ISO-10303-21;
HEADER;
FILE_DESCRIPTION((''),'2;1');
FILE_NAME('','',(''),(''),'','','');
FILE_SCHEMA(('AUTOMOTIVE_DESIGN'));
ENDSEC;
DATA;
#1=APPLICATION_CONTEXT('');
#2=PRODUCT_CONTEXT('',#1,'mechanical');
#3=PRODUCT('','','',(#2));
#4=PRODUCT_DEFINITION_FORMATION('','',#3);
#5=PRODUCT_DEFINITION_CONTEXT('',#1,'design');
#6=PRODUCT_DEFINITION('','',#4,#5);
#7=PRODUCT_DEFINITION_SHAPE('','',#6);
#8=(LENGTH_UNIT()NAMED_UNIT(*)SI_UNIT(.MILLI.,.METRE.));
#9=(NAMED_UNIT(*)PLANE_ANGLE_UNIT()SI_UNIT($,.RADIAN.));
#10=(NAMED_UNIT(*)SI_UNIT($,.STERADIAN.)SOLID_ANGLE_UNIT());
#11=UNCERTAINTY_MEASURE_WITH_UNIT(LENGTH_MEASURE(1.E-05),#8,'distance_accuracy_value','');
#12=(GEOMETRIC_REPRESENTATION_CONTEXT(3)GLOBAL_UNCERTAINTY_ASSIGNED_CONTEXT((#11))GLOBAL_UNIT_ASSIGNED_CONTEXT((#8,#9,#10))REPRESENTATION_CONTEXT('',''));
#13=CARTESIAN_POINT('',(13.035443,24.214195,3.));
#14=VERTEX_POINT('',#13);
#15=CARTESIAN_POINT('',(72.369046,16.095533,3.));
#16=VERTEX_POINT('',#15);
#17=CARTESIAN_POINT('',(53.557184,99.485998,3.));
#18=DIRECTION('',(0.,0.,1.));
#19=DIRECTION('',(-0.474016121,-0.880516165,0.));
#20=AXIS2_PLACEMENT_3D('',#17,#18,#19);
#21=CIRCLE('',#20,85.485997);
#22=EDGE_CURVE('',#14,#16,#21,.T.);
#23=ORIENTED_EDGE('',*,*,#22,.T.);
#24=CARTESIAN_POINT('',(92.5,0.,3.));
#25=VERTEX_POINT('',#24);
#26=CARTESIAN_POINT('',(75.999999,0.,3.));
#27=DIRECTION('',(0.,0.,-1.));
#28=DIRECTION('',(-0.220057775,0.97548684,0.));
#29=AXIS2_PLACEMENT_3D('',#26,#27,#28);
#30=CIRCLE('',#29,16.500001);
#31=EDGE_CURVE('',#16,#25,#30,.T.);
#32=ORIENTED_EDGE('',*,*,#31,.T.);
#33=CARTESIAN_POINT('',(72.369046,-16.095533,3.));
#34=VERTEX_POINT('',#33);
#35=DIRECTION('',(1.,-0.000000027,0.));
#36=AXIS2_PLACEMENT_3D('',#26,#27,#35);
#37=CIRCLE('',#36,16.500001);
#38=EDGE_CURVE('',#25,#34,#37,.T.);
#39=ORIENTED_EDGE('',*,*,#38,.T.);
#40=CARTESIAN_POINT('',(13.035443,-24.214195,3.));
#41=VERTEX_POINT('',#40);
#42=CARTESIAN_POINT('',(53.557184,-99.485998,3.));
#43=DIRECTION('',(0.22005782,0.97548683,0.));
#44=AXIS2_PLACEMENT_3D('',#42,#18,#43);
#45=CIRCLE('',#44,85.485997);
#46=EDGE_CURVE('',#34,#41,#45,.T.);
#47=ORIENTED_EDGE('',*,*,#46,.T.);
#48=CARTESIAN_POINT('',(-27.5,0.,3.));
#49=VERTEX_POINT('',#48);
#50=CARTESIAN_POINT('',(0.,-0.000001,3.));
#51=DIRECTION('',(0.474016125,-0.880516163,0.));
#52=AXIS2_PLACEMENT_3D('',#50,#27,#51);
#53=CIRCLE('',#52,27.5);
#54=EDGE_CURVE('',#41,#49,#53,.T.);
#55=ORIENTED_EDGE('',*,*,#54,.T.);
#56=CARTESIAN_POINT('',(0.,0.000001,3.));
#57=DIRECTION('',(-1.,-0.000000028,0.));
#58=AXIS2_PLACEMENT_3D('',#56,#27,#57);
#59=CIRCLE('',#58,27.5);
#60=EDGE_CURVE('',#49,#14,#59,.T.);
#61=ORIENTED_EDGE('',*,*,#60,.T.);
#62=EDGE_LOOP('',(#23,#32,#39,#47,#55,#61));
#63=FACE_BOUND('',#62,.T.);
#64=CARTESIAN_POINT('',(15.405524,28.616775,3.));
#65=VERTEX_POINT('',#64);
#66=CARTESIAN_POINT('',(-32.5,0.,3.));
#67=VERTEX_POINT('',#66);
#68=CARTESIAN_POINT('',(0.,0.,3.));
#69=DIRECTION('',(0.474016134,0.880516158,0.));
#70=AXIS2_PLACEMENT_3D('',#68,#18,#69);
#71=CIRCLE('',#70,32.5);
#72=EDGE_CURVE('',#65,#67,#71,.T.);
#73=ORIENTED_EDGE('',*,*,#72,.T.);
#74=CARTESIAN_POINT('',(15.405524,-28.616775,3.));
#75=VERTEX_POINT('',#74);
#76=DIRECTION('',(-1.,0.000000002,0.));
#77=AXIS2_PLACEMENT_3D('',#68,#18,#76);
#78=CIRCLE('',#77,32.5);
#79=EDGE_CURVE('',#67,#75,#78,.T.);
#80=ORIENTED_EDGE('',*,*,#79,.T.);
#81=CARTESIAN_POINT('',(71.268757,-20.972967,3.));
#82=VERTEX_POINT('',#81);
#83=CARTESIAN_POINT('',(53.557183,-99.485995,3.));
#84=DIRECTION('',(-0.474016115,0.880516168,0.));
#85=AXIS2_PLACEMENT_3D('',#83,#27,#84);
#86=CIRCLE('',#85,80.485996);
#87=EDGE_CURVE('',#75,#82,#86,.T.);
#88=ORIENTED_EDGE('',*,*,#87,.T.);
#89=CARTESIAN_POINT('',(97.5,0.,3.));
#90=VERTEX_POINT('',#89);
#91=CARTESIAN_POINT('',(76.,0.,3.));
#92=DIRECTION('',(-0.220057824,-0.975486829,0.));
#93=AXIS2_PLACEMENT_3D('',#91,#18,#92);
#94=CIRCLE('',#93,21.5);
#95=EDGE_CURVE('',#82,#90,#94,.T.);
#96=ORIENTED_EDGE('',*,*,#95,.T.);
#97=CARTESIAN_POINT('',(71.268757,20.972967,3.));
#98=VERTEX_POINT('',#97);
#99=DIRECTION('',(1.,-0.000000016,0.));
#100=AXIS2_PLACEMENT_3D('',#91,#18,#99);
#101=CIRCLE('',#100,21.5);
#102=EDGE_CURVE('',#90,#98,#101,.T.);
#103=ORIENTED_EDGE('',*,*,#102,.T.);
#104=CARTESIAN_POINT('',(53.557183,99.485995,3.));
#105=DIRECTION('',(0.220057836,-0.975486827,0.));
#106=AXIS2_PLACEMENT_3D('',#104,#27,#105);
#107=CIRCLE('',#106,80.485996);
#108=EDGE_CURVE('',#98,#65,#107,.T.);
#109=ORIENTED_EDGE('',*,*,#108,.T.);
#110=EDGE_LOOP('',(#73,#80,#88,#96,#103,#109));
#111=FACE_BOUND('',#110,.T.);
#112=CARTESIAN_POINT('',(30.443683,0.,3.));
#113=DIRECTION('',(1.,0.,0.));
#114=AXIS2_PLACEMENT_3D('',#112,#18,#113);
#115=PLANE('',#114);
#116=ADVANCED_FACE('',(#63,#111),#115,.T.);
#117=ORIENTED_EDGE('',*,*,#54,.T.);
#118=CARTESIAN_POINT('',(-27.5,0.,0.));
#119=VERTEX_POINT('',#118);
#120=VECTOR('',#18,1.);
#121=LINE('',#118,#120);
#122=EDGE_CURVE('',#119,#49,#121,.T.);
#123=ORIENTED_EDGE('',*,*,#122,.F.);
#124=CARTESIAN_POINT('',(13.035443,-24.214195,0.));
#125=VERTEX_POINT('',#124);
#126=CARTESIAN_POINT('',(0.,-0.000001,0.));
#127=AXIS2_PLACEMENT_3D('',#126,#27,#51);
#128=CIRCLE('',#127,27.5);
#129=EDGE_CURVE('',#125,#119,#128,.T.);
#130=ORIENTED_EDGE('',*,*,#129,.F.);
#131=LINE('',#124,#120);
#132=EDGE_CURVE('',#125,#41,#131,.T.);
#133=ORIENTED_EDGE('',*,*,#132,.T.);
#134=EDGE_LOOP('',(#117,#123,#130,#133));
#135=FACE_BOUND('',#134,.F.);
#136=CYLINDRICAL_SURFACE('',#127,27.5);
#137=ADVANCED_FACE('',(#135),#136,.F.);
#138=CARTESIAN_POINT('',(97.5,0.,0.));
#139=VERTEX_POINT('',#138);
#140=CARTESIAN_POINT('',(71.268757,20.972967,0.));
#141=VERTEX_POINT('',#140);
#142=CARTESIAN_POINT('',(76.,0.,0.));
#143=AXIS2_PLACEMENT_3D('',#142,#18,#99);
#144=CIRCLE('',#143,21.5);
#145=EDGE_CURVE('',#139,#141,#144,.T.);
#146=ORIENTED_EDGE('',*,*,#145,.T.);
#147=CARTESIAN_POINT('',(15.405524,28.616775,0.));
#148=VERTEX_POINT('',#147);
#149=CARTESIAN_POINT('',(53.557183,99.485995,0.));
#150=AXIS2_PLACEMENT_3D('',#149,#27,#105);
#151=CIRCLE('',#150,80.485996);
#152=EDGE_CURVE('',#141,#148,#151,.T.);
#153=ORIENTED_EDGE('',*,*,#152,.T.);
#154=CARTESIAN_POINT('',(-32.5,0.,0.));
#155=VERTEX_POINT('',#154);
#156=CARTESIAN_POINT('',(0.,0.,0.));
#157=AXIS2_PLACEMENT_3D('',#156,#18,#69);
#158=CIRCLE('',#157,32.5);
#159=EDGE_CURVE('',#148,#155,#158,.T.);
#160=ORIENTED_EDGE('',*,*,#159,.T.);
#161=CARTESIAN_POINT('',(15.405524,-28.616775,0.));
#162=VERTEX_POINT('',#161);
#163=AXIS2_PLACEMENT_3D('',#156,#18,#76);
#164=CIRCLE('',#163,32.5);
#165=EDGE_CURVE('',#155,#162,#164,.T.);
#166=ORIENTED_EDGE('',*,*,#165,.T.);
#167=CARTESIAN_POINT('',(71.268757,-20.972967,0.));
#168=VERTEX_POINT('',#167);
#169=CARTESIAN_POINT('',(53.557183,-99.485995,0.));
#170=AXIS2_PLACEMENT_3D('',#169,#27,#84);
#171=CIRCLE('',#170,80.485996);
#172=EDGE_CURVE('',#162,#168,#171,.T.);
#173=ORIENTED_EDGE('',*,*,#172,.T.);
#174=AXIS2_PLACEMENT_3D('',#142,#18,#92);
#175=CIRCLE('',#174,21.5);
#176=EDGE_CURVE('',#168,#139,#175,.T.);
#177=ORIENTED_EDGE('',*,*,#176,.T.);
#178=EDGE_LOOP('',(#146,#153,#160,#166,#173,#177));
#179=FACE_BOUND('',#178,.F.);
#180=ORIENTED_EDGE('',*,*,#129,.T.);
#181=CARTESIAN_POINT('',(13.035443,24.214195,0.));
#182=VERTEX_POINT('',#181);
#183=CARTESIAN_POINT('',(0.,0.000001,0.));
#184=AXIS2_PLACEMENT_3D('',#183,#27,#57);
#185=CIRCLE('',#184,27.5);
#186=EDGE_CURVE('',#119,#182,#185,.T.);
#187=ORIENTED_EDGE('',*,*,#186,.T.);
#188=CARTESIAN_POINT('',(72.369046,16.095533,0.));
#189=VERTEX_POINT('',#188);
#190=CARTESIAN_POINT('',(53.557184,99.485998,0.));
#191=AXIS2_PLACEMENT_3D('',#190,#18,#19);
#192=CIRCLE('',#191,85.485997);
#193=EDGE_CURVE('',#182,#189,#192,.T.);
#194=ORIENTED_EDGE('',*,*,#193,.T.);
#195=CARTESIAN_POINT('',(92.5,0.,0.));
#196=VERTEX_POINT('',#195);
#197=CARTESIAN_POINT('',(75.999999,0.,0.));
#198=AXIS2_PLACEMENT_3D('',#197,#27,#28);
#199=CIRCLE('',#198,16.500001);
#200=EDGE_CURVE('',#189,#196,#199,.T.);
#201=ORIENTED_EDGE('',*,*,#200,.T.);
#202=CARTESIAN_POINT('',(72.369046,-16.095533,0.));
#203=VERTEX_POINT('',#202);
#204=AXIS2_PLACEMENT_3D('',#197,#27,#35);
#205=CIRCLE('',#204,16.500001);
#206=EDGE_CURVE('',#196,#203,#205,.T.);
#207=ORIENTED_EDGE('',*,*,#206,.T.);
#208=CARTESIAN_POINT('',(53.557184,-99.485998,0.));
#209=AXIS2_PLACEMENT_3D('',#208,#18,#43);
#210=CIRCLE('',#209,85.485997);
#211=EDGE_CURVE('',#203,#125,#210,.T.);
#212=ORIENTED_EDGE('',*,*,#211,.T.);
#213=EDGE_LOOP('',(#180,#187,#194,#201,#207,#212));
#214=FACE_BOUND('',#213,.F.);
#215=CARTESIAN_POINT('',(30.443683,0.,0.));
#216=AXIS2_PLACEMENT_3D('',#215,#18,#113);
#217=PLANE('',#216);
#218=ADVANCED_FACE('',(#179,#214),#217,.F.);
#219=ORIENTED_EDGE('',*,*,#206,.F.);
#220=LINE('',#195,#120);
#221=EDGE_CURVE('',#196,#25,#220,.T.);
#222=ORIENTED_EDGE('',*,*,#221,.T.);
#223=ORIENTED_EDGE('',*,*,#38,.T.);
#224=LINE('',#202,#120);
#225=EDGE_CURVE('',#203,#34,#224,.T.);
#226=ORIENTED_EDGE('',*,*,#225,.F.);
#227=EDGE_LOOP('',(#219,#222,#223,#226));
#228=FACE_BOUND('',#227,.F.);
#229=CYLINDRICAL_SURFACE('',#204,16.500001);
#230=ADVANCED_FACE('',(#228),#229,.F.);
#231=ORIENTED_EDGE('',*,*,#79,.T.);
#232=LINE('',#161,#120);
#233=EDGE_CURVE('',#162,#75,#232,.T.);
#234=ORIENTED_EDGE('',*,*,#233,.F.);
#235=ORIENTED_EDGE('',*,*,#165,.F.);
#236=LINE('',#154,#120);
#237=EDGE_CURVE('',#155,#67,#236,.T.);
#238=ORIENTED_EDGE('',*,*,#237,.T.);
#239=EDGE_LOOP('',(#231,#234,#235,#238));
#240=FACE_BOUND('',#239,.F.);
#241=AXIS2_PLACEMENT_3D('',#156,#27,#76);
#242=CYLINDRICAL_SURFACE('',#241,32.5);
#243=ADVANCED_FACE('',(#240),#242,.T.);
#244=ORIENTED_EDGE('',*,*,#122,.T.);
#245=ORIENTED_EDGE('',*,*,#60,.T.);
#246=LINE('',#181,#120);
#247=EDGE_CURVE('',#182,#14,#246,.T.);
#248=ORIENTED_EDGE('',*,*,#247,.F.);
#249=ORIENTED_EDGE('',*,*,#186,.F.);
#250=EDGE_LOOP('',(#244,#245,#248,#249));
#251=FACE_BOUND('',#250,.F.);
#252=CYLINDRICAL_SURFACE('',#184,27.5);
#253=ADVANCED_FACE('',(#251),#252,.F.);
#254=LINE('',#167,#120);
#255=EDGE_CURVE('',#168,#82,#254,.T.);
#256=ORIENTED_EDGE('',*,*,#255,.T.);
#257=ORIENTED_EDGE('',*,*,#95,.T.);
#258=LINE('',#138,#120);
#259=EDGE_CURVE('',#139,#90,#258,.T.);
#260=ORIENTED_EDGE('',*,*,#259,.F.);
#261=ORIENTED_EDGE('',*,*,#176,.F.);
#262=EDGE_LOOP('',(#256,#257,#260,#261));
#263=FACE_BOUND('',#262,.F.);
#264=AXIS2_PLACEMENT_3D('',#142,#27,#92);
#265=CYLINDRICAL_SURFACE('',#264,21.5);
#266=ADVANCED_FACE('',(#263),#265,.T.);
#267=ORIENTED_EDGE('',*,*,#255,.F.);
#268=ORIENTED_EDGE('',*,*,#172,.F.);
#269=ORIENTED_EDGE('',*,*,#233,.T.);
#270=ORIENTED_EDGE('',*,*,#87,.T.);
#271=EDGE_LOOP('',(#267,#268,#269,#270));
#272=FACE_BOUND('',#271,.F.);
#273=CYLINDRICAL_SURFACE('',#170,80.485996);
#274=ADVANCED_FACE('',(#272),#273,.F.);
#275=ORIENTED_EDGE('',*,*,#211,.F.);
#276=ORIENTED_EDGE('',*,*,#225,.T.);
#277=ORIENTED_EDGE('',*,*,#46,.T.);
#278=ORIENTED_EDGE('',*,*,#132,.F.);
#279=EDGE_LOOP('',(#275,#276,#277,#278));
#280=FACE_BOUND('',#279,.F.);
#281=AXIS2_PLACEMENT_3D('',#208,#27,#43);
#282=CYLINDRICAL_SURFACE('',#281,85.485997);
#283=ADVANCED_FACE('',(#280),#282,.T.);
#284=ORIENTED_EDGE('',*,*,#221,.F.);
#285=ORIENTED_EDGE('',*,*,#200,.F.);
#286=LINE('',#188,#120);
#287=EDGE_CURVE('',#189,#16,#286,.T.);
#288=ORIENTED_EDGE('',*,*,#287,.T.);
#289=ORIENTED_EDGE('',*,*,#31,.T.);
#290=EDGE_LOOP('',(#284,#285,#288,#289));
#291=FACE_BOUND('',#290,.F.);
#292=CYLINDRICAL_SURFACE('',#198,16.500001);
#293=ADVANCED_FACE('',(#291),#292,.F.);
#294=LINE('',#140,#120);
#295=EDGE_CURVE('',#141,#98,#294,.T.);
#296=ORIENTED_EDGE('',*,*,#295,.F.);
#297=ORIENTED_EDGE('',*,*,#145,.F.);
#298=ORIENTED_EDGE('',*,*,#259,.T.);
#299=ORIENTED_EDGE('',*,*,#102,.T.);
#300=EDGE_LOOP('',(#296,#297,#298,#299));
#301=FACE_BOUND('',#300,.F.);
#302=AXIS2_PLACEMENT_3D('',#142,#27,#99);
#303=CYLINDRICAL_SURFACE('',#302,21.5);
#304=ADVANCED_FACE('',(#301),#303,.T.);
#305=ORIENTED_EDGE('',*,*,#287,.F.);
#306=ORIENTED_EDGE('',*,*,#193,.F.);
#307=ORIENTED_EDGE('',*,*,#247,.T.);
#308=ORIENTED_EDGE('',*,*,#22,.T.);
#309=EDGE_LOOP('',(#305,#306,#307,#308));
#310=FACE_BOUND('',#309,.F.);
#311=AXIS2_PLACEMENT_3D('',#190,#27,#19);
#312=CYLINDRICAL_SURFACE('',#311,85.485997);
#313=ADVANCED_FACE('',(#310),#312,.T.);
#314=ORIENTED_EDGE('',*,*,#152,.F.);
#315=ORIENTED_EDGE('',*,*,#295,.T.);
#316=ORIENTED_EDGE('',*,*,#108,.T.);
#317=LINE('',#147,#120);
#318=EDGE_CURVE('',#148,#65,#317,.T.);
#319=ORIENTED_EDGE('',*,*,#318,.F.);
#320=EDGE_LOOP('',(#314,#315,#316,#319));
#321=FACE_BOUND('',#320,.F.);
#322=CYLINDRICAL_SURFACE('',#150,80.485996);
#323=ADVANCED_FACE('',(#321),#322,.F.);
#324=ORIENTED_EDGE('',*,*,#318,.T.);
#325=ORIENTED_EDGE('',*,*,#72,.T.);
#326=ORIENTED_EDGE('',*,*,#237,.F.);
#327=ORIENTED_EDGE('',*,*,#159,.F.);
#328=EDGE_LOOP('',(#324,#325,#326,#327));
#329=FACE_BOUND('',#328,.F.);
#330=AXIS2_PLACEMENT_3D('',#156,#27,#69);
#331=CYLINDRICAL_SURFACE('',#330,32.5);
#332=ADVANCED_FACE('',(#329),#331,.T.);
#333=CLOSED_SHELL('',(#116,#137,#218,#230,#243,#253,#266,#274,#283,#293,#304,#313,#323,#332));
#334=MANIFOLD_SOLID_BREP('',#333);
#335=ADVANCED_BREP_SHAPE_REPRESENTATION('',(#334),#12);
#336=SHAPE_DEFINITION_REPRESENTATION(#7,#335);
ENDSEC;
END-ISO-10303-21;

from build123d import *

# Parameters (mm, degrees)
F1_DEPTH = 3


with BuildPart() as f1:
    # F0 (on Top) → F1 (new body)
    with BuildSketch(Plane.XY):
        with BuildLine():
            ThreePointArc((97.5, 0), (89.426248, 16.792435), (71.268757, 20.972967))
            ThreePointArc((71.268757, 20.972967), (42.645894, 19.743038), (15.405524, 28.616775))
            ThreePointArc((15.405524, 28.616775), (-16.666891, 27.900981), (-32.5, 0))
            ThreePointArc((-32.5, 0), (-16.666891, -27.900981), (15.405524, -28.616775))
            ThreePointArc((15.405524, -28.616775), (42.645894, -19.743038), (71.268757, -20.972967))
            ThreePointArc((71.268757, -20.972967), (89.426248, -16.792435), (97.5, 0))
        make_face()
        with BuildLine():
            ThreePointArc((13.035443, 24.214195), (41.968056, 14.789198), (72.369046, 16.095533))
            ThreePointArc((72.369046, 16.095533), (86.303865, 12.887217), (92.5, 0))
            ThreePointArc((92.5, 0), (86.303865, -12.887217), (72.369046, -16.095533))
            ThreePointArc((72.369046, -16.095533), (41.968056, -14.789198), (13.035443, -24.214195))
            ThreePointArc((13.035443, -24.214195), (-14.102754, -23.608523), (-27.5, 0))
            ThreePointArc((-27.5, 0), (-14.102754, 23.608523), (13.035443, 24.214195))
        make_face(mode=Mode.SUBTRACT)
    extrude(amount=F1_DEPTH)


solid = f1.part
